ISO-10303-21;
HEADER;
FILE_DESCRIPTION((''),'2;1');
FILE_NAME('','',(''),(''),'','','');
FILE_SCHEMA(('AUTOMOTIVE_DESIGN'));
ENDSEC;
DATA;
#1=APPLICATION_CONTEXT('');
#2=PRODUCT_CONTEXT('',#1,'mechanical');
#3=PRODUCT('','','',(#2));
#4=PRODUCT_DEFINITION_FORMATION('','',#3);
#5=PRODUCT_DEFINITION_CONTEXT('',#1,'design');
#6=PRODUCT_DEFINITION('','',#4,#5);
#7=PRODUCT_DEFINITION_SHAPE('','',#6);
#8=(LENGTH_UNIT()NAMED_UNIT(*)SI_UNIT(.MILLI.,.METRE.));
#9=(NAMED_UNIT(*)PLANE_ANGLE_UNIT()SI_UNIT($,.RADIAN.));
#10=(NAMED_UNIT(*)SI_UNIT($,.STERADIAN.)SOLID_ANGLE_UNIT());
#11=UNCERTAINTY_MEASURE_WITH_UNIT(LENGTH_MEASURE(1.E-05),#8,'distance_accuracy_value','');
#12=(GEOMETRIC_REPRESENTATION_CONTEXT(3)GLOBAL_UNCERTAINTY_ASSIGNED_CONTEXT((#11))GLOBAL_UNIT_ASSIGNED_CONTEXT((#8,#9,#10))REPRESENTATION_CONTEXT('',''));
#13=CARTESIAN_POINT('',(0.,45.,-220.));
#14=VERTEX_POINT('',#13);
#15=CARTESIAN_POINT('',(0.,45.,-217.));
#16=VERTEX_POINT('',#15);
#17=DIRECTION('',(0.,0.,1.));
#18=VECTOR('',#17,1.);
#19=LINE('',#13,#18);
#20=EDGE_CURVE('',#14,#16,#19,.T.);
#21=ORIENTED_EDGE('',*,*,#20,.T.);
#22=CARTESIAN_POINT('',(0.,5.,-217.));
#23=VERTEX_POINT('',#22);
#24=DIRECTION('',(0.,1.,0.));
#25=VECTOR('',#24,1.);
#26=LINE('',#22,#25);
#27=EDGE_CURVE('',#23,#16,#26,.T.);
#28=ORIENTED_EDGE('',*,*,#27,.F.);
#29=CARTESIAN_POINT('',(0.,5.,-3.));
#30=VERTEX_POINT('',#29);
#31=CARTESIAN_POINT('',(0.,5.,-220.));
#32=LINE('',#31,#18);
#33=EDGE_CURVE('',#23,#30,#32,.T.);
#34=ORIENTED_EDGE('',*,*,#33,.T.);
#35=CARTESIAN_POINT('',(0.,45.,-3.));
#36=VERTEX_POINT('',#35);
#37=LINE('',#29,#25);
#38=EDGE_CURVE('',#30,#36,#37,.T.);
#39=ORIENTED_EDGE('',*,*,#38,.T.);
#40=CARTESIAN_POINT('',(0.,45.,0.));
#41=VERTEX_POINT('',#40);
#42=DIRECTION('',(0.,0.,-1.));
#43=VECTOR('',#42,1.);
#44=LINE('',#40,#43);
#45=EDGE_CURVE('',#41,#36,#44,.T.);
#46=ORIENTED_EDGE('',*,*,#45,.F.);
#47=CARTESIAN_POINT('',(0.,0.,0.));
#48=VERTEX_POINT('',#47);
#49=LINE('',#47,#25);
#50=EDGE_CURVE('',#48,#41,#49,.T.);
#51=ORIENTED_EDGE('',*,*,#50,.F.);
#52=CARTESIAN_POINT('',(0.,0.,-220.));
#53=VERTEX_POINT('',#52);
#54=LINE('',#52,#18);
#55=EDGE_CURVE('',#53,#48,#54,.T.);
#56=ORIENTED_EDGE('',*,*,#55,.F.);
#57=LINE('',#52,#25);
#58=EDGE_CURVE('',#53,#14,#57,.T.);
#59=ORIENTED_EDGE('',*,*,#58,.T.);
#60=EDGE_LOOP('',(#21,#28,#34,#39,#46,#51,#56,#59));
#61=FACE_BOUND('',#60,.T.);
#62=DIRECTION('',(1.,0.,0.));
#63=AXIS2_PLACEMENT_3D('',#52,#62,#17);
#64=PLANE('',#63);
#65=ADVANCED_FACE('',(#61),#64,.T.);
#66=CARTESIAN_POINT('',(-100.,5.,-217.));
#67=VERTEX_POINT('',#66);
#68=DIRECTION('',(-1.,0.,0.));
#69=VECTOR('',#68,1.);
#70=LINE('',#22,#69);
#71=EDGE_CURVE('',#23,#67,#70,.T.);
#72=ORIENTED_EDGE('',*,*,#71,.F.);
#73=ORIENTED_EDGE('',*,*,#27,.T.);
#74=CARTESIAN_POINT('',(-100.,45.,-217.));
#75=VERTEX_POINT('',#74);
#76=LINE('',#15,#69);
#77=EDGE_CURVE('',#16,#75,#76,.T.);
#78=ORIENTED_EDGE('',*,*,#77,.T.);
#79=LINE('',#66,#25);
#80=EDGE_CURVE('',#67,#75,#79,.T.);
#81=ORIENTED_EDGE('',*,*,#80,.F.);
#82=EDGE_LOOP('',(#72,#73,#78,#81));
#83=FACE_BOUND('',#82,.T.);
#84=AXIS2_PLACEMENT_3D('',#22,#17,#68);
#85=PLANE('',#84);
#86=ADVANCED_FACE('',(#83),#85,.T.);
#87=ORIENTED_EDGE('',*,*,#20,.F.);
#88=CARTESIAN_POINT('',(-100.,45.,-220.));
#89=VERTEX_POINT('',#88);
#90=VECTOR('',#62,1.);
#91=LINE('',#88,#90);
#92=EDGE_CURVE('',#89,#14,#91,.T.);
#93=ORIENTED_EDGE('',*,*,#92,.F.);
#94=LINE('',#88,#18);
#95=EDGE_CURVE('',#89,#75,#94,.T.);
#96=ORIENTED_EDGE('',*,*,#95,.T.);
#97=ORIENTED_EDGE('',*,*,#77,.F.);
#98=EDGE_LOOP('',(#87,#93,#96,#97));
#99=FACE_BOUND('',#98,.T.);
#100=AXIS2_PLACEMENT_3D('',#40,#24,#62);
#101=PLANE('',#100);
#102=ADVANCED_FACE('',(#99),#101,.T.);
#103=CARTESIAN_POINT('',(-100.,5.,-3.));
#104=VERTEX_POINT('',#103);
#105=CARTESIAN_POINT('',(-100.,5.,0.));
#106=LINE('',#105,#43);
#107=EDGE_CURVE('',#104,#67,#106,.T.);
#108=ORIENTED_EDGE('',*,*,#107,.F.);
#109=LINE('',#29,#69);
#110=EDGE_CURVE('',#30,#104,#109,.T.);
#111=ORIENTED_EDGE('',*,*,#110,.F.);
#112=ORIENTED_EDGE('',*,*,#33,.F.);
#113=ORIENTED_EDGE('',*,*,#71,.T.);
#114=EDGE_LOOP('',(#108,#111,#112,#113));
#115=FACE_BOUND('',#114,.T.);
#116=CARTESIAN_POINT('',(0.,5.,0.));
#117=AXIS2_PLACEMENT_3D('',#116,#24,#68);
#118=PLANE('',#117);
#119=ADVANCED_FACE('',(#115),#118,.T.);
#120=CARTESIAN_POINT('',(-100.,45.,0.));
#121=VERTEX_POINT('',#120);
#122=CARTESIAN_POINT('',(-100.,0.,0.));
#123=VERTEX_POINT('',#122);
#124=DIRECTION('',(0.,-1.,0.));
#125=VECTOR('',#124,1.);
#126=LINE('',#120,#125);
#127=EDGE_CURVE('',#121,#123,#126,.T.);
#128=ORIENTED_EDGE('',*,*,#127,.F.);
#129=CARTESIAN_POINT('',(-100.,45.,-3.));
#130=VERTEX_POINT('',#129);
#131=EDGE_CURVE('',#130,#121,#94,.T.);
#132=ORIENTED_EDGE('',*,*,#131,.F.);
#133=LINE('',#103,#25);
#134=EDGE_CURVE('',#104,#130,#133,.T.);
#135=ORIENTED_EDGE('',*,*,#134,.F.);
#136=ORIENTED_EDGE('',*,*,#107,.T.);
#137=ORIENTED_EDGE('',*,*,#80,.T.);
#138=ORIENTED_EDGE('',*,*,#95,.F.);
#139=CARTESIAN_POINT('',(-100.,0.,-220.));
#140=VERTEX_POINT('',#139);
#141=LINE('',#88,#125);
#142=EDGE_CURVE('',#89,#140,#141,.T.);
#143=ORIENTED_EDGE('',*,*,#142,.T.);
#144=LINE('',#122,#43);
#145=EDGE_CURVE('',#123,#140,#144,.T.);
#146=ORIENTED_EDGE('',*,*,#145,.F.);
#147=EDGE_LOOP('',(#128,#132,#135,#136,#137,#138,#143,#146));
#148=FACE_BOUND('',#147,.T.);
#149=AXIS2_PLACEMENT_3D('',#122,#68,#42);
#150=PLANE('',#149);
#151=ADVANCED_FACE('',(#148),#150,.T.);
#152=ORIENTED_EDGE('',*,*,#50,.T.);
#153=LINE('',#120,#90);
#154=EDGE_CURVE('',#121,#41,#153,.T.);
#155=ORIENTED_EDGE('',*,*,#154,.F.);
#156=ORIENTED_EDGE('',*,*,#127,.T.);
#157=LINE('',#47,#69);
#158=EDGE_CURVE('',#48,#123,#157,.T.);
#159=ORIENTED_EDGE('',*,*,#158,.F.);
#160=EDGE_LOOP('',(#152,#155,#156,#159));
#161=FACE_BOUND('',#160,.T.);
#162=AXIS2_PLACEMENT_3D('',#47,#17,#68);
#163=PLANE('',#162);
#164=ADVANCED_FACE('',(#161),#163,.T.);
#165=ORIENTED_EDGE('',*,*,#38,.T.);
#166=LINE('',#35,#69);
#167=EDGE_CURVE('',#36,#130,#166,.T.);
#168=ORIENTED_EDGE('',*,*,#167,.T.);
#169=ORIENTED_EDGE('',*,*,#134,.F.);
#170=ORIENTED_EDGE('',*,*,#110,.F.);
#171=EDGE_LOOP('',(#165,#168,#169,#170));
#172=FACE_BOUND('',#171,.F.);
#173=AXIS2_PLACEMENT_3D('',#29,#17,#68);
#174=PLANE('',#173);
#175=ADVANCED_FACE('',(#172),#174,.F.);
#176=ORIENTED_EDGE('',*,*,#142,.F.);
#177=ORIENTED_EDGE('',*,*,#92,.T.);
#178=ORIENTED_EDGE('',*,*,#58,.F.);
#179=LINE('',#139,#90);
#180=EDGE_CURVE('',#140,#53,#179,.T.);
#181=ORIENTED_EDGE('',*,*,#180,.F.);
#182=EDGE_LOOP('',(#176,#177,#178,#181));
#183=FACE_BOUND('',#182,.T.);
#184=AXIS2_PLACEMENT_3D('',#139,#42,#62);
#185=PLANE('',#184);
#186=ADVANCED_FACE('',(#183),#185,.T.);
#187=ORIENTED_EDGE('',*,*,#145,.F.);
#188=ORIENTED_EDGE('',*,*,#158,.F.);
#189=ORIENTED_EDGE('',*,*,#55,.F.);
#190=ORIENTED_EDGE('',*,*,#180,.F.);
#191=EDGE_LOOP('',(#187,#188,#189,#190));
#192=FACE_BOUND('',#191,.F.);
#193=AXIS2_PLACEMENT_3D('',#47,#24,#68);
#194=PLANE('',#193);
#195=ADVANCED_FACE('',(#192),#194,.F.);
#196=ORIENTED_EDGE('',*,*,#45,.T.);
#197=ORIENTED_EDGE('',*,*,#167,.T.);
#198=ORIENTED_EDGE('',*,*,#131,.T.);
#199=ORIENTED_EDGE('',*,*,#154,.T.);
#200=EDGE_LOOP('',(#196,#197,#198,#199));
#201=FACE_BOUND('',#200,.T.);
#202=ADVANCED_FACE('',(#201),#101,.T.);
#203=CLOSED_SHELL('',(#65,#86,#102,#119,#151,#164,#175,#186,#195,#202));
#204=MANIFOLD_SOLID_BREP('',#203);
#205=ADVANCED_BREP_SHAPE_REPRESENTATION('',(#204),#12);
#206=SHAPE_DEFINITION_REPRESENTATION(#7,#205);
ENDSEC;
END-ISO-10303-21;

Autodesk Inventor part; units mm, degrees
ref_plane "YZ Plane" through (0, 0, 0) normal (1, 0, 0) x (0, 1, 0)
ref_plane "XZ Plane" through (0, 0, 0) normal (0, 1, 0) x (-1, 0, 0)
ref_plane "XY Plane" through (0, 0, 0) normal (0, 0, 1) x (1, 0, 0)
sketch "Sketch4" plane through (0, 0, 0) normal (0, 1, 0) x (-1, 0, 0)
  line L0 (0, 0) -> (100, 0)
  line L1 (100, 0) -> (100, -220)
  line L2 (100, -220) -> (0, -220)
  line L3 (0, -220) -> (0, 0)
  dimension "d12" = 100
  dimension "d13" = 220
extrude "Extrusion4" add sketch "Sketch4" along normal blind 5
sketch "Sketch5" plane through (0, 5, 0) normal (0, 1, 0) x (1, 0, 0)
  line L0 (-100, 220) -> (-100, 0) projected
  line L1 (-100, 0) -> (0, 0)
  line L2 (0, 0) -> (0, 3)
  line L3 (0, 3) -> (-100, 3)
  line L4 (-100, 3) -> (-100, 0)
  line L5 (-100, 220) -> (0, 220)
  line L6 (0, 220) -> (0, 217)
  line L7 (0, 217) -> (-100, 217)
  line L8 (-100, 217) -> (-100, 220)
  point P0 (0, 0)
  point P1 (-100, 217)
  dimension "d16" = 100
  dimension "d17" = 3
  dimension "d18" = 100
  dimension "d19" = 3
extrude "Extrusion5" add sketch "Sketch5" along normal blind 40
properties part number "1P10 DP3 pi holder"
